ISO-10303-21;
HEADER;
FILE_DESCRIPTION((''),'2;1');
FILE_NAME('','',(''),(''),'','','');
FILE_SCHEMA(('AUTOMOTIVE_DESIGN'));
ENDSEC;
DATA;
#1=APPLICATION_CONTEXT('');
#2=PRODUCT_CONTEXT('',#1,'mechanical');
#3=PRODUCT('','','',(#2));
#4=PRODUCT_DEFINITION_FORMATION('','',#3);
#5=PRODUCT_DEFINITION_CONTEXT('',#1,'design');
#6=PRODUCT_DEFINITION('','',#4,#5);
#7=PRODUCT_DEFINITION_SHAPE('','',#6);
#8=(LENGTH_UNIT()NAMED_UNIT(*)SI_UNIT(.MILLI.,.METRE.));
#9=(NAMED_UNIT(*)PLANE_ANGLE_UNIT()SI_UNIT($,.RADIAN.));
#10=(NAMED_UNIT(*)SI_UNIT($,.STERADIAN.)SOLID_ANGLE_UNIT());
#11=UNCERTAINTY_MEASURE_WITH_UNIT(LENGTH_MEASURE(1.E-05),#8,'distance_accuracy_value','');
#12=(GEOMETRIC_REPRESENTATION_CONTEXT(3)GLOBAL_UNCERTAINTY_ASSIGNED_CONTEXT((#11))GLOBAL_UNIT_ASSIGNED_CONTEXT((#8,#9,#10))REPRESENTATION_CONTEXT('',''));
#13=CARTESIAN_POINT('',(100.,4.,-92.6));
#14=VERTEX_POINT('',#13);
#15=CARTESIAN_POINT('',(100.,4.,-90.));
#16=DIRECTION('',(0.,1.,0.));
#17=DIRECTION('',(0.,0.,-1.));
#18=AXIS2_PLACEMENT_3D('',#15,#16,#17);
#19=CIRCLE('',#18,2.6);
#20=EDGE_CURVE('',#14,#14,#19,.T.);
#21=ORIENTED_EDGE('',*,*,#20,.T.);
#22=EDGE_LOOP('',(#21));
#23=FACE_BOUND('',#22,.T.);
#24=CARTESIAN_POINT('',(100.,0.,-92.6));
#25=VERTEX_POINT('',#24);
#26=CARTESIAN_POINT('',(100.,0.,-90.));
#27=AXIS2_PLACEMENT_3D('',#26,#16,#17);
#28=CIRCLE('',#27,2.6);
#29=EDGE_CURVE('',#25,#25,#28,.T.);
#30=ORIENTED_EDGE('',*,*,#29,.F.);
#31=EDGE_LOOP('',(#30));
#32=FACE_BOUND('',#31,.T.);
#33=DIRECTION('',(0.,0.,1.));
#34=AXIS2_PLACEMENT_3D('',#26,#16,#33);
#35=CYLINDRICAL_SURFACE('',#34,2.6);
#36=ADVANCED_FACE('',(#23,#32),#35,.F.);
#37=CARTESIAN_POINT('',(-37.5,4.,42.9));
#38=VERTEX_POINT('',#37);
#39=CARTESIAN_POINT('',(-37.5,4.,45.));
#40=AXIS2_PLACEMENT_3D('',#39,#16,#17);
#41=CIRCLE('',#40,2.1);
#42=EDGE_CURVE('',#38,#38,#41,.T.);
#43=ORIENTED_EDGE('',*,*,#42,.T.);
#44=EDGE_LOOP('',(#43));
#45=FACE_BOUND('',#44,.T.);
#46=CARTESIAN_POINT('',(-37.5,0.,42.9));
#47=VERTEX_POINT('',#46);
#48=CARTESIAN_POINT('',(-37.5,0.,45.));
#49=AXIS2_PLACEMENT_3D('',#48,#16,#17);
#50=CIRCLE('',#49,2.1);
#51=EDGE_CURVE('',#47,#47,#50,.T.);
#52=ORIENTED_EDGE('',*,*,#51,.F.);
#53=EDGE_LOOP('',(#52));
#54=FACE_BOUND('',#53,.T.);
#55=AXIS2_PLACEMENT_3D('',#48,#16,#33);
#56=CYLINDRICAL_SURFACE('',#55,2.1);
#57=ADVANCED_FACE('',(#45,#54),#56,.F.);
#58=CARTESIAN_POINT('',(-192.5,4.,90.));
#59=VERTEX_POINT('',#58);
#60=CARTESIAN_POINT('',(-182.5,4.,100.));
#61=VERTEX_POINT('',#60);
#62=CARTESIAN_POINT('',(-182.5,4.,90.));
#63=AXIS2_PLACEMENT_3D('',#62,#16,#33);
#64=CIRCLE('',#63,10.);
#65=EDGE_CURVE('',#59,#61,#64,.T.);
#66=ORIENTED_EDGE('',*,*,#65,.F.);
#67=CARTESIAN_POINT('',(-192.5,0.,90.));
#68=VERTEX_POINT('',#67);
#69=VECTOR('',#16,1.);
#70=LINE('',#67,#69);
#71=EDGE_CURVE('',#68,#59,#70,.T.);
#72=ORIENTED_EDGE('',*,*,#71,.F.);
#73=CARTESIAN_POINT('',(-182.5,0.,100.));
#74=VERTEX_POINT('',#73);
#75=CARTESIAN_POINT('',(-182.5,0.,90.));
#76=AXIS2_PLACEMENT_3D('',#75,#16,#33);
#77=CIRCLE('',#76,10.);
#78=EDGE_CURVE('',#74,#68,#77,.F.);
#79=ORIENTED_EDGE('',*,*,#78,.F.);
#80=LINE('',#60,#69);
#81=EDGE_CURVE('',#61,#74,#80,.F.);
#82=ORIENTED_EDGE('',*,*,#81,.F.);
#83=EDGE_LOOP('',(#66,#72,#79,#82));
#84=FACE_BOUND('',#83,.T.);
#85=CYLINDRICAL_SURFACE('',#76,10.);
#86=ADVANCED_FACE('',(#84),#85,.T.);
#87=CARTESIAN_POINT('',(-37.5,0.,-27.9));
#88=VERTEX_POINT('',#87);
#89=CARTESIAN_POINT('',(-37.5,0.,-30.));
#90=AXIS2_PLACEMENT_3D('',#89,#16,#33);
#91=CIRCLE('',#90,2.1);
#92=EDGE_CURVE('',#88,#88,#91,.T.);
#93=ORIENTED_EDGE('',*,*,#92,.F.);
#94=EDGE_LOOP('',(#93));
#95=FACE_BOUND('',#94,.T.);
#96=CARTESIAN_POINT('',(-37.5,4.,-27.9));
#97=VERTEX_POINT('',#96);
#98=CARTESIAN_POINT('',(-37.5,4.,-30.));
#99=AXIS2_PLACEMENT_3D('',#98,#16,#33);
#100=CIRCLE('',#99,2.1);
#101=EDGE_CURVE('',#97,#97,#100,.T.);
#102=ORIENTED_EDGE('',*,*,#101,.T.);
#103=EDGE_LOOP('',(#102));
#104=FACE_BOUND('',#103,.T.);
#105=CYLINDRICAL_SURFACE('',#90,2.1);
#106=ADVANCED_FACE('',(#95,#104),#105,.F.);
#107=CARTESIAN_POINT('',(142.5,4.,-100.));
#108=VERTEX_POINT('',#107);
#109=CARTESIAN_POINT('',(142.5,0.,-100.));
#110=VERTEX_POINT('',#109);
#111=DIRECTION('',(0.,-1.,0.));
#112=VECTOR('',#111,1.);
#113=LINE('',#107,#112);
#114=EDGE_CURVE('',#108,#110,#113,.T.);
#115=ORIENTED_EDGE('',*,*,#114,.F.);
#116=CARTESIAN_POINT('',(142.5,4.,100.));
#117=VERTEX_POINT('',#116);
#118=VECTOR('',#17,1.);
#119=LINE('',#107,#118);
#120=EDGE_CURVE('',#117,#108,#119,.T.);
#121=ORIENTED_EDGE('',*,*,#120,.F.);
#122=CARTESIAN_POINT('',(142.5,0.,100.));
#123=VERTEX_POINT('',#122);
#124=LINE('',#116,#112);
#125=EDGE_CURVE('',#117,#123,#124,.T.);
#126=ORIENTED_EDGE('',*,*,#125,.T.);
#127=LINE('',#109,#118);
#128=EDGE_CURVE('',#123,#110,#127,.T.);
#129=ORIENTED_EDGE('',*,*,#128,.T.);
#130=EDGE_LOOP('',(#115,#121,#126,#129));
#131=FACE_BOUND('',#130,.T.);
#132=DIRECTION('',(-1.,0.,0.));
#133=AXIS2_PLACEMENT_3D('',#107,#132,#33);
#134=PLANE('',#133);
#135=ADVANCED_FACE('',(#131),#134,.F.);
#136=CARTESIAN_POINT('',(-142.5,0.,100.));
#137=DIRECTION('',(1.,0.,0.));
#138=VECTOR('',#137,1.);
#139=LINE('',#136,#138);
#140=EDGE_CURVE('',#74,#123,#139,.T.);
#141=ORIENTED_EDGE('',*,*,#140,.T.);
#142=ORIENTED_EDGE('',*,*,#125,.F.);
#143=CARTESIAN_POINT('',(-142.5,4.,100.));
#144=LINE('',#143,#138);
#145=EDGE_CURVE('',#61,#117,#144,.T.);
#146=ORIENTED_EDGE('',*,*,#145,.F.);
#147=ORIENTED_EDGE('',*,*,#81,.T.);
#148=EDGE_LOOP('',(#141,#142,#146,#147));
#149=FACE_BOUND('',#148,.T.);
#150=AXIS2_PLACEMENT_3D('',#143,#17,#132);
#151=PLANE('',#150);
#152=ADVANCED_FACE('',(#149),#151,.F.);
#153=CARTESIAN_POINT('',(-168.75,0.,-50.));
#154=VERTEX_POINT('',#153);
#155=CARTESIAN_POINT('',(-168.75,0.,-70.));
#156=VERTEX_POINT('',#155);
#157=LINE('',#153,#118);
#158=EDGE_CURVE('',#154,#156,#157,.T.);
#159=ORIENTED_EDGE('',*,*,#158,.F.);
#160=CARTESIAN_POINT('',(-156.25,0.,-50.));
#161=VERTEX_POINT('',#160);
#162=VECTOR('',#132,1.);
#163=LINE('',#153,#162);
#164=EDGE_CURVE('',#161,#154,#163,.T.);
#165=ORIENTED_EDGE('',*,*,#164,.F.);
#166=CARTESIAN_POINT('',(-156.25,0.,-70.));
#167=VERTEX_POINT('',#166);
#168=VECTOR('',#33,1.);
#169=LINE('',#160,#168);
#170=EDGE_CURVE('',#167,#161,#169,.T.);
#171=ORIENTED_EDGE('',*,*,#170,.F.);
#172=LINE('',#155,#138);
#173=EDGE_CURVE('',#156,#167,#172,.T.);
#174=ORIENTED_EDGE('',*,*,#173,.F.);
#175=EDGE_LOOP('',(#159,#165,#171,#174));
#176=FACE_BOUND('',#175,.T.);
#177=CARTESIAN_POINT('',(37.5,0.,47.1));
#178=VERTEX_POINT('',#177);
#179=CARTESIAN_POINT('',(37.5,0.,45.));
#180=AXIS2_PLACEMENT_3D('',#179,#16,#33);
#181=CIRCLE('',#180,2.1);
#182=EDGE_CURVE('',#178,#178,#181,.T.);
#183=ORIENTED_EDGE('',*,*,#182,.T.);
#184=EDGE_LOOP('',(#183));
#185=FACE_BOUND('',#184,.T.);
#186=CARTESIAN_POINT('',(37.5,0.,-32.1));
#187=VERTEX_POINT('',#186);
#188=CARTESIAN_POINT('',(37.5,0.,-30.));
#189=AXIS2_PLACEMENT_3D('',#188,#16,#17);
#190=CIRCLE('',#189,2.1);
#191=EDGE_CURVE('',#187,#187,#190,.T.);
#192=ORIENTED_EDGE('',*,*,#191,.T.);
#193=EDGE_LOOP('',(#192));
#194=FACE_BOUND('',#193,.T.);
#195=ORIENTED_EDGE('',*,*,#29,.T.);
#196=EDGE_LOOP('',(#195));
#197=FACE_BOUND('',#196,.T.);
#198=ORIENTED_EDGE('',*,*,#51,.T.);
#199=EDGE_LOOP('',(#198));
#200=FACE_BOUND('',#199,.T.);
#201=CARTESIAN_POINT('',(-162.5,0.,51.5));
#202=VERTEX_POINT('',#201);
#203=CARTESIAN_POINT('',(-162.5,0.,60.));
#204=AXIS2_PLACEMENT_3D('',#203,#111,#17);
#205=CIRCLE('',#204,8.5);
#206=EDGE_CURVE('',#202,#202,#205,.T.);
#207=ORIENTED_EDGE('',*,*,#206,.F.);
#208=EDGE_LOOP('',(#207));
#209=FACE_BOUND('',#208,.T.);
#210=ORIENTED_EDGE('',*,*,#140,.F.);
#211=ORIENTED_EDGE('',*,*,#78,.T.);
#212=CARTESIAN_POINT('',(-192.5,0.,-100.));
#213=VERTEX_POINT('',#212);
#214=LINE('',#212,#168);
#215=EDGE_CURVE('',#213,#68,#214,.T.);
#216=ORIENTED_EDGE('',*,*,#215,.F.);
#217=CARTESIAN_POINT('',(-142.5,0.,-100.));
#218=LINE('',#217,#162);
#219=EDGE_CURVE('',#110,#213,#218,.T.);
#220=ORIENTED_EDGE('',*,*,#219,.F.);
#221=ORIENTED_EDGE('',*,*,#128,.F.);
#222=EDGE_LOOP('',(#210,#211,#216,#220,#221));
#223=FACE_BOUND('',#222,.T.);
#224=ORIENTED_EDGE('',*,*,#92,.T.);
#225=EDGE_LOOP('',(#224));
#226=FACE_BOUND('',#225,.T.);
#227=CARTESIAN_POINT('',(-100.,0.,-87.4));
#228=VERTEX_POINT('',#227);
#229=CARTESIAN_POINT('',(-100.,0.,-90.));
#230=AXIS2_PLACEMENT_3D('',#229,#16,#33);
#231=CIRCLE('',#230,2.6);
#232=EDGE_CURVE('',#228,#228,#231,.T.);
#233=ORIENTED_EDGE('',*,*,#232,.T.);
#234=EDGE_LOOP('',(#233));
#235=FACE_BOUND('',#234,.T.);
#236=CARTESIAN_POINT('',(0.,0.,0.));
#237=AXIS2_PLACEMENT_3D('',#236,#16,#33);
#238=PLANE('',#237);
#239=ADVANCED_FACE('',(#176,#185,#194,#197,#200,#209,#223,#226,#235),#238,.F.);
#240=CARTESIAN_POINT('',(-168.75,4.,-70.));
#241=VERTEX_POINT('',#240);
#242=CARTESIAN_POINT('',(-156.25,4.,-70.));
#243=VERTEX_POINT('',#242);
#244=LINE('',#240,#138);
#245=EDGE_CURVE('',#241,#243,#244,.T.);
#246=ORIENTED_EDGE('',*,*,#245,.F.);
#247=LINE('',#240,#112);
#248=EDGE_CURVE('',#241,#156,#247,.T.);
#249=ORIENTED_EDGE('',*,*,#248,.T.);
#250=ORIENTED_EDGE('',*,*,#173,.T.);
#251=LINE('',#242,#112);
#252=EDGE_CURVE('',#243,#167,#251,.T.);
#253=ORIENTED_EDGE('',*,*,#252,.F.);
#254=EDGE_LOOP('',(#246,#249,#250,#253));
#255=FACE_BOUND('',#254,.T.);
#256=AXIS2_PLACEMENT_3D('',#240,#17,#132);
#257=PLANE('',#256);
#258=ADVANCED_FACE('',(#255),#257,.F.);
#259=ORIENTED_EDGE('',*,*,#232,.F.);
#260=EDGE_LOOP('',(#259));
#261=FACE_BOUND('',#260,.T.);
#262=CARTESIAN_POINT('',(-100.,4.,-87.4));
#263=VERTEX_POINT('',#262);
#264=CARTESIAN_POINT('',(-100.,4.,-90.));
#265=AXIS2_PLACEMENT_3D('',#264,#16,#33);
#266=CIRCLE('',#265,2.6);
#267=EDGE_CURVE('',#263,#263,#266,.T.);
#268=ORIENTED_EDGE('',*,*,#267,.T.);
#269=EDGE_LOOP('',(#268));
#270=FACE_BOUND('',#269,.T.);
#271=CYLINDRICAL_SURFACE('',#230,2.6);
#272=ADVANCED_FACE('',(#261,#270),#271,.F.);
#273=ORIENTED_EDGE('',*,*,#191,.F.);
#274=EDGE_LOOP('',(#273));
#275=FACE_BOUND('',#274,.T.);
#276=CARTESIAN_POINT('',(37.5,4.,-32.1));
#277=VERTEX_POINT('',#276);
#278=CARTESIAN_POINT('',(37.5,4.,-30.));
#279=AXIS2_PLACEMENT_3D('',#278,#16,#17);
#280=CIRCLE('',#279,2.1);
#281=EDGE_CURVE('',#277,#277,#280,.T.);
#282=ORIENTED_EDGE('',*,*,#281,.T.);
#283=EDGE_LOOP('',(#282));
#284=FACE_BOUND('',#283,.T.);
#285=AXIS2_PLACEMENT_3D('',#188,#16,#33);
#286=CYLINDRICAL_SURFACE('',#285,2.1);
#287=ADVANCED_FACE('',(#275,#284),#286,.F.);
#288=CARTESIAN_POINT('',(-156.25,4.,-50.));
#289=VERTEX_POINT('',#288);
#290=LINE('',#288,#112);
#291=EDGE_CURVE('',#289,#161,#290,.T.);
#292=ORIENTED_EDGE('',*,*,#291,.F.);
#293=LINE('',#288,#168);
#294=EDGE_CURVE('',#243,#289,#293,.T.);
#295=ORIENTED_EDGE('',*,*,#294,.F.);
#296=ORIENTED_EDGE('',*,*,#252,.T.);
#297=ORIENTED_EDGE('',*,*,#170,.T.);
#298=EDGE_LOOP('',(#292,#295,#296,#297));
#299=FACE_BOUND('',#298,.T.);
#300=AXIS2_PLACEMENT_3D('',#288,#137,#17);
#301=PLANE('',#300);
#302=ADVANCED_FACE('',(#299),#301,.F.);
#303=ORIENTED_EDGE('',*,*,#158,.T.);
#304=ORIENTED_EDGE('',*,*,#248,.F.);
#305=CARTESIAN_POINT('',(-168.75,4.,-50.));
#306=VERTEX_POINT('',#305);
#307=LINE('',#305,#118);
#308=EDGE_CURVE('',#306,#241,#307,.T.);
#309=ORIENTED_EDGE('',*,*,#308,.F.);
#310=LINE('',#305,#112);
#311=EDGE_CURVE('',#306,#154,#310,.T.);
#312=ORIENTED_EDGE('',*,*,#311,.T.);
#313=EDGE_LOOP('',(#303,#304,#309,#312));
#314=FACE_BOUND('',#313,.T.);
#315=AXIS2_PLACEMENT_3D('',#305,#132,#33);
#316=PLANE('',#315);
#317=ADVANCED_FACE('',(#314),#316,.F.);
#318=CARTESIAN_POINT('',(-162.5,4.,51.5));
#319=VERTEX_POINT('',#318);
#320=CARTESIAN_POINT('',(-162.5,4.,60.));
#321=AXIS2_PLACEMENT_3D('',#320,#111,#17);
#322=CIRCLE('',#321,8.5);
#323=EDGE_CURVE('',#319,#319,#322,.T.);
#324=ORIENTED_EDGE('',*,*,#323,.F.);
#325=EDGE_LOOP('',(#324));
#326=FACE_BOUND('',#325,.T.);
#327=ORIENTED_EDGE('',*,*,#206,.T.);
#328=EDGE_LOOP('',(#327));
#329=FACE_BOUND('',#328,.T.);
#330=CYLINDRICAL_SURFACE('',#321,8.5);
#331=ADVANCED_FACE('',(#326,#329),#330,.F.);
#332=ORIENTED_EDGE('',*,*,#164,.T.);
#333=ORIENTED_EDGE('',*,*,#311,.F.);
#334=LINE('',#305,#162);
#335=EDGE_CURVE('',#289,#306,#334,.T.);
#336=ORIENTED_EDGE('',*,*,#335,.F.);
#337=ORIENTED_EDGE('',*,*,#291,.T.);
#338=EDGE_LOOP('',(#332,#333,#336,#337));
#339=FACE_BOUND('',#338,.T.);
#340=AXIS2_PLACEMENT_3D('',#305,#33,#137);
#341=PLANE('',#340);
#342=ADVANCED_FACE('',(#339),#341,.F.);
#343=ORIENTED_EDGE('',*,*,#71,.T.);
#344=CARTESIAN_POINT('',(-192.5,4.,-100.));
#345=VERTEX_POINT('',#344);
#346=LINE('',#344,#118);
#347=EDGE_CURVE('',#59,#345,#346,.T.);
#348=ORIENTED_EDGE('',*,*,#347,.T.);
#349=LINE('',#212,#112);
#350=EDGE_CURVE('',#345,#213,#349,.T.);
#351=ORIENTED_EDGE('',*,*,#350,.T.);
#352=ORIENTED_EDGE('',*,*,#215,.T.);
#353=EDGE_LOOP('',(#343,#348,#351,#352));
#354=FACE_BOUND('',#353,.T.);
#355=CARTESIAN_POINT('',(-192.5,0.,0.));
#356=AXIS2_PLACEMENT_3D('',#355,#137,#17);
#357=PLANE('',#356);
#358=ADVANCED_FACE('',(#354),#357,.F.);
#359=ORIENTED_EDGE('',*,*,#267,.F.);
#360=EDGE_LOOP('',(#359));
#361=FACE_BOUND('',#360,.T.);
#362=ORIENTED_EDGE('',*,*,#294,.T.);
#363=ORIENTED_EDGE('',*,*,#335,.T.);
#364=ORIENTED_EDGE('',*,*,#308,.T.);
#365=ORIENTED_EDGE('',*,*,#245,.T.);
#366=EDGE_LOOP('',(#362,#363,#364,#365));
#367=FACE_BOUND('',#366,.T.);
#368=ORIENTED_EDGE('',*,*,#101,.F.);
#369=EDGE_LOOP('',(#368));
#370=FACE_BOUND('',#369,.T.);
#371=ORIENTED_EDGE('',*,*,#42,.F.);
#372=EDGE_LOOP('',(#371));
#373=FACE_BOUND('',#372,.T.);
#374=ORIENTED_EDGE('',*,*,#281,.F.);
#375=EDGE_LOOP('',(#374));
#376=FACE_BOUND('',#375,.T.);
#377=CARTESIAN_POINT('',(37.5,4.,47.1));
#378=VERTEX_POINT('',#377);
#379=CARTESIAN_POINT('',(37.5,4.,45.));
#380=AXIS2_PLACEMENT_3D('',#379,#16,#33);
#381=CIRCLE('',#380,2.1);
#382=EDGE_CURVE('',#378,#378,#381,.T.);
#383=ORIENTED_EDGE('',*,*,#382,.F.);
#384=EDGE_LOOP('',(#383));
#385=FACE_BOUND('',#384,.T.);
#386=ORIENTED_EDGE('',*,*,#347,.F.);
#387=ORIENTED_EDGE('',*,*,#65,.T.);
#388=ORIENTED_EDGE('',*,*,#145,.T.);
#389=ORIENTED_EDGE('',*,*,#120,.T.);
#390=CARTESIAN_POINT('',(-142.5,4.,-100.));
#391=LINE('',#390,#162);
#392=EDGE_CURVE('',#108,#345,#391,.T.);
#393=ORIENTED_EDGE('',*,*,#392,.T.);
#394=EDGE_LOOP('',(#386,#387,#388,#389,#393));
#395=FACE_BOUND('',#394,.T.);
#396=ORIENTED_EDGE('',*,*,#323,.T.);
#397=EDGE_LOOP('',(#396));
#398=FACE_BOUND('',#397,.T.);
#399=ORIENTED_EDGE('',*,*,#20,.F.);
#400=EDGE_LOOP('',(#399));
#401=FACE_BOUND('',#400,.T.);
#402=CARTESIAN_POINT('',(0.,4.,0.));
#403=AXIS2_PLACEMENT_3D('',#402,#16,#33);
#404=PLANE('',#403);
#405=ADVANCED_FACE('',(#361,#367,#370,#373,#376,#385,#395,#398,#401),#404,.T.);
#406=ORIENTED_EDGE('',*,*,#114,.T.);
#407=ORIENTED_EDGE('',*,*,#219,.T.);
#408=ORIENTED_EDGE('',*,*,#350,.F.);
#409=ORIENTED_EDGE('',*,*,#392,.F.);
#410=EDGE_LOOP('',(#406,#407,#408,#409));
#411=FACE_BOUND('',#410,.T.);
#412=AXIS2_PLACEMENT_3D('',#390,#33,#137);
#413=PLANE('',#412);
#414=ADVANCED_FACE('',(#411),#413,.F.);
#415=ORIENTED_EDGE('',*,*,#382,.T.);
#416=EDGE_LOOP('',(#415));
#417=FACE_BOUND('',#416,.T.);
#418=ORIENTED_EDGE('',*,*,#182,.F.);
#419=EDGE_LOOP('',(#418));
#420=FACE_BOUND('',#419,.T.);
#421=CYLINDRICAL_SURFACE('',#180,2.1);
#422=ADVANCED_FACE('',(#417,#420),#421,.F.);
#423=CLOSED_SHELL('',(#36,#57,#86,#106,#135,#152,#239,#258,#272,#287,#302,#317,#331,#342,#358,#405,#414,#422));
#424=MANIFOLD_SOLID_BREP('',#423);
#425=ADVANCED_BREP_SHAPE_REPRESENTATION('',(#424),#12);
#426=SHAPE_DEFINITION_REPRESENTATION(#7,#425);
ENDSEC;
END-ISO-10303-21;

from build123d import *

# Parameters (mm, degrees)
SKETCH_1_W             = 285
SKETCH_1_H             = 200
EXTRUDE_1_DEPTH        = 4
SKETCH_2_R             = 2.1
SKETCH_2_R_2           = 2.6
CUT_EXTRUDE_1_DEPTH    = 5
SKETCH_3_W             = 200
SKETCH_3_H             = 4
EXTRUDE_1002_DEPTH     = 50
SKETCH_4_R             = 8.5
SKETCH_4_W             = 12.5
SKETCH_4_H             = 20
CUT_EXTRUDE_1350_DEPTH = 5
FILLET_1_R             = 10


with BuildPart() as part:
    # 草图1 → 凸台-拉伸1 (new body)
    with BuildSketch(Plane(origin=(0, 0, 0), x_dir=(1, 0, 0), z_dir=(0, 1, 0))):
        Rectangle(SKETCH_1_W, SKETCH_1_H)
    extrude(amount=EXTRUDE_1_DEPTH)

    # 草图2 → 切除-拉伸1 (cut, through all)
    with BuildSketch(Plane(origin=(0, 4, 0), x_dir=(1, 0, 0), z_dir=(0, 1, 0))):
        with Locations((-37.5, 30)):
            Circle(SKETCH_2_R)
        with Locations((37.5, 30)):
            Circle(SKETCH_2_R)
        with Locations((37.5, -45)):
            Circle(SKETCH_2_R)
        with Locations((-37.5, -45)):
            Circle(SKETCH_2_R)
        with Locations((-100, 90)):
            Circle(SKETCH_2_R_2)
        with Locations((100, 90)):
            Circle(SKETCH_2_R_2)
    extrude(amount=-CUT_EXTRUDE_1_DEPTH, mode=Mode.SUBTRACT)

    # 草图3 → Extrude 1002 (add)
    with BuildSketch(Plane.ZY.offset(142.5)):
        with Locations((0, 2)):
            Rectangle(SKETCH_3_W, SKETCH_3_H)
    extrude(amount=EXTRUDE_1002_DEPTH)

    # 草图4 → Cut-Extrude 1350 (cut, through all)
    with BuildSketch(Plane.XZ):
        with Locations((-162.5, 60)):
            Circle(SKETCH_4_R)
        with Locations((-162.5, -60)):
            Rectangle(SKETCH_4_W, SKETCH_4_H)
    extrude(amount=-CUT_EXTRUDE_1350_DEPTH, mode=Mode.SUBTRACT)

    # 圆角1
    fillet_1_edges = [part.edges().sort_by_distance(p)[0] for p in [
        (-192.5, 2, 100),
    ]]
    fillet(fillet_1_edges, radius=FILLET_1_R)


solid = part.part
